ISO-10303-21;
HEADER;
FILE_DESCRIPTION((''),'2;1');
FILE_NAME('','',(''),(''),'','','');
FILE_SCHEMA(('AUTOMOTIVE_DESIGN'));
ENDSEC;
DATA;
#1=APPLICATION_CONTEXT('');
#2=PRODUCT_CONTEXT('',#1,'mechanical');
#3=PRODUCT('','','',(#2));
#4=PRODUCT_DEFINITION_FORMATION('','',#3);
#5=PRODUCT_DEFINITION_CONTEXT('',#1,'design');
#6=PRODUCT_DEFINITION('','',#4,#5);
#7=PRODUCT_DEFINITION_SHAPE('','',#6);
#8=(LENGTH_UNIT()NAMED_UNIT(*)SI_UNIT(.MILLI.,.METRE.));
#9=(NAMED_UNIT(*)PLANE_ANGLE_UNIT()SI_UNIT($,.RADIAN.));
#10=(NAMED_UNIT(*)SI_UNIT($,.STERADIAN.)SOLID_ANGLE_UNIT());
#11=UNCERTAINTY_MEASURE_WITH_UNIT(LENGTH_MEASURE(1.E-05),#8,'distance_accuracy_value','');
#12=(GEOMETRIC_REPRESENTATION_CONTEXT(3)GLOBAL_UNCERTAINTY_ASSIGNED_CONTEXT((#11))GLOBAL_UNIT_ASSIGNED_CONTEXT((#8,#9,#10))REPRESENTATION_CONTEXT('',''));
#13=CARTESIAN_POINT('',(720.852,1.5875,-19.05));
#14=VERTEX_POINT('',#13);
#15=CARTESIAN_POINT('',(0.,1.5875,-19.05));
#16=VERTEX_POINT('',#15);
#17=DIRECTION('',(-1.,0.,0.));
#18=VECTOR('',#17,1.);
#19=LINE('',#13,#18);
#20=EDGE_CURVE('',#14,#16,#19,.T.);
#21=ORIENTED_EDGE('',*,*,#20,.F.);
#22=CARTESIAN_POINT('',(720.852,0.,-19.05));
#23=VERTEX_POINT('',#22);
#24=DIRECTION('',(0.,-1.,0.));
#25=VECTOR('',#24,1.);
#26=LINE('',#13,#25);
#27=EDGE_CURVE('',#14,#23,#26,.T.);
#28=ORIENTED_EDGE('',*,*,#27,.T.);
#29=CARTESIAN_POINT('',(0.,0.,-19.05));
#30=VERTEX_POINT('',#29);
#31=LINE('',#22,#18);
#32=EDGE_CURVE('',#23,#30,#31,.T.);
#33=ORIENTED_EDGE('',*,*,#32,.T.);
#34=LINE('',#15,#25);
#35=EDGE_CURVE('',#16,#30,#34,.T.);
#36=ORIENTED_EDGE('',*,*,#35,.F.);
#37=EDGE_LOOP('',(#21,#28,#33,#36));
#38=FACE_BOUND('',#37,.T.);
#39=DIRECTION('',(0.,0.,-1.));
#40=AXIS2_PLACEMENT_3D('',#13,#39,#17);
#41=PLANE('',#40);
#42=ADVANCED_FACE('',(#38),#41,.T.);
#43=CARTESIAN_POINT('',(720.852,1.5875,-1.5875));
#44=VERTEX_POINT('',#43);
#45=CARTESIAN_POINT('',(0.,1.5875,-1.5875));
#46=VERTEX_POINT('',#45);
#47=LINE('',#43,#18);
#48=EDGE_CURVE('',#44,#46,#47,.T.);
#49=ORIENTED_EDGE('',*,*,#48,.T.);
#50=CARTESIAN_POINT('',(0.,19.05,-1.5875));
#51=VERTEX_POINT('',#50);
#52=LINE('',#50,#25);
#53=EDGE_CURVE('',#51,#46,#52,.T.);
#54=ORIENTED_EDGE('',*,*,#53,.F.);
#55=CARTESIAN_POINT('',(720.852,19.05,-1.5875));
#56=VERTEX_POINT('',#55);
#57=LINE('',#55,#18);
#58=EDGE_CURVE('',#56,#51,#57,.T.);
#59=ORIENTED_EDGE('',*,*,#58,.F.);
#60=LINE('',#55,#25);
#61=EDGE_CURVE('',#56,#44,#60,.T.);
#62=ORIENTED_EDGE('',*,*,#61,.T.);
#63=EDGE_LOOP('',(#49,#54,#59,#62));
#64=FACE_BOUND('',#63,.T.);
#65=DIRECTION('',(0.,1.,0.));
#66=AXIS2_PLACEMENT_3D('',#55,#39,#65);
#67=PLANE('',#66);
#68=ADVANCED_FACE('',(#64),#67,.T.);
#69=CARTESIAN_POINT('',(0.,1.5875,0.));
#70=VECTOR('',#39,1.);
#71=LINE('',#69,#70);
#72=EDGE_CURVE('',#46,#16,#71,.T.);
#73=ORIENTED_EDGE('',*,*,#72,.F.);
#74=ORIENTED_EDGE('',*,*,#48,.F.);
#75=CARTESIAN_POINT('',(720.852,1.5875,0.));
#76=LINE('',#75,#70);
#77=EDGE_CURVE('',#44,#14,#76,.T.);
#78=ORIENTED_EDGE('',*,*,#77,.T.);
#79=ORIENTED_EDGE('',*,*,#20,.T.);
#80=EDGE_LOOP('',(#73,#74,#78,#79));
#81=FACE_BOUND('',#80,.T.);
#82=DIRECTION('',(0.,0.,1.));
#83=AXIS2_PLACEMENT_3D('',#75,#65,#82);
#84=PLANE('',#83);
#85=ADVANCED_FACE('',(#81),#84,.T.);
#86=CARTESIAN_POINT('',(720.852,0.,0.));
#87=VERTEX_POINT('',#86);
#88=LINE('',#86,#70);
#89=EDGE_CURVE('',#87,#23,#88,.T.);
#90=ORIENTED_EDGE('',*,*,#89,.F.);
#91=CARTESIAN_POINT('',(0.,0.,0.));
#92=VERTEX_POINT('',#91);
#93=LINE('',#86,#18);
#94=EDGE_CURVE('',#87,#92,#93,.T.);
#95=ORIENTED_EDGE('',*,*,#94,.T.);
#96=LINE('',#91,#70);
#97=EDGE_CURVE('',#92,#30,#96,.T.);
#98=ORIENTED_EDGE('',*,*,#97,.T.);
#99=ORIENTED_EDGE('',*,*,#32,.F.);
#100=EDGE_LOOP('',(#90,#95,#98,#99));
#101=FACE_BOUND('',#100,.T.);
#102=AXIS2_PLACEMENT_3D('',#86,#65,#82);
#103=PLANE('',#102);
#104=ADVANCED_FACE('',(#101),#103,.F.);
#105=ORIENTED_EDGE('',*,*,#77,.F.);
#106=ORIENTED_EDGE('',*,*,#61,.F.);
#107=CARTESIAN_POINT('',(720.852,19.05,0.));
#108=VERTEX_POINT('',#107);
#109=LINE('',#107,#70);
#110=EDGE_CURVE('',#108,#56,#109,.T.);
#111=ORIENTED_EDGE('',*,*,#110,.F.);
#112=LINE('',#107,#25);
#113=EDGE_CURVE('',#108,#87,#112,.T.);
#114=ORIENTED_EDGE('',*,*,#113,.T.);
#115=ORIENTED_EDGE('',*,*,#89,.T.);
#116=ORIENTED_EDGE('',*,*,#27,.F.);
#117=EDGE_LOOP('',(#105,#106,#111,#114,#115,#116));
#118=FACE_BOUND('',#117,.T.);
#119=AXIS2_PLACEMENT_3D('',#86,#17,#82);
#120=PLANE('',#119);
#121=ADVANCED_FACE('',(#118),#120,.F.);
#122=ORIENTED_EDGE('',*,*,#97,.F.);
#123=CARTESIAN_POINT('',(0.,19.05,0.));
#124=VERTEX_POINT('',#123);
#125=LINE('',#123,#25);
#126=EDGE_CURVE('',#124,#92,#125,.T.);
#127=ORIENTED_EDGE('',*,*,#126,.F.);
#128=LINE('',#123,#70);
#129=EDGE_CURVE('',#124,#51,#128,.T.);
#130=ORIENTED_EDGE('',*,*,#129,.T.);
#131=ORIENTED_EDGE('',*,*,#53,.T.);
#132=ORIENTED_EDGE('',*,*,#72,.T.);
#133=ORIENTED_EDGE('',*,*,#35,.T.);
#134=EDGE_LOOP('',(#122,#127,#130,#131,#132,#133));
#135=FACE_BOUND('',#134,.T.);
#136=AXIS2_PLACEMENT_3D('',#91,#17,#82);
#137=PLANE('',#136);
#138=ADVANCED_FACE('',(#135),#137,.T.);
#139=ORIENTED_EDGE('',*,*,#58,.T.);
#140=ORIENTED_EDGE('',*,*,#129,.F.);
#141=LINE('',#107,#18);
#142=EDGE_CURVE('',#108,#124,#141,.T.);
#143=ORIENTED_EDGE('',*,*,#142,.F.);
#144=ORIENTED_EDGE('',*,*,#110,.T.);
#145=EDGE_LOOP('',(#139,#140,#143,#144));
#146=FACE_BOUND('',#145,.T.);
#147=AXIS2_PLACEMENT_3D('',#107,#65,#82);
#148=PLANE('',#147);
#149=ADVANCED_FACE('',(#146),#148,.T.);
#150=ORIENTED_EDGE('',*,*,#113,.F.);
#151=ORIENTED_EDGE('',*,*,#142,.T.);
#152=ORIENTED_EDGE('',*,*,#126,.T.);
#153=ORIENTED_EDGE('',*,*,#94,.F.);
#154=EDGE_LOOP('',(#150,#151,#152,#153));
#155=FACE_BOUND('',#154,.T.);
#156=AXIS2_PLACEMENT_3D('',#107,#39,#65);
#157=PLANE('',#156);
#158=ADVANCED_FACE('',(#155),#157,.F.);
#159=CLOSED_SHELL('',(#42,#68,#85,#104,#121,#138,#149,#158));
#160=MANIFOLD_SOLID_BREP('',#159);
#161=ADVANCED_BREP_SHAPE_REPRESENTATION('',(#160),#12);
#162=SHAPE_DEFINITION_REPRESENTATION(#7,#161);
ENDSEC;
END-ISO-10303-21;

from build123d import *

# Parameters (mm, degrees)
EXTRUDE_THIN1_DEPTH = 720.852


with BuildPart() as part:
    # Sketch1 → Extrude-Thin1 (new body)
    with BuildSketch(Plane(origin=(0, 0, 0), x_dir=(0, 0, -1), z_dir=(1, 0, 0))):
        Polygon((0, 19.05), (0, 0), (19.05, 0), (19.05, 1.5875), (1.5875, 1.5875), (1.5875, 19.05), align=None)
    extrude(amount=EXTRUDE_THIN1_DEPTH)


solid = part.part
